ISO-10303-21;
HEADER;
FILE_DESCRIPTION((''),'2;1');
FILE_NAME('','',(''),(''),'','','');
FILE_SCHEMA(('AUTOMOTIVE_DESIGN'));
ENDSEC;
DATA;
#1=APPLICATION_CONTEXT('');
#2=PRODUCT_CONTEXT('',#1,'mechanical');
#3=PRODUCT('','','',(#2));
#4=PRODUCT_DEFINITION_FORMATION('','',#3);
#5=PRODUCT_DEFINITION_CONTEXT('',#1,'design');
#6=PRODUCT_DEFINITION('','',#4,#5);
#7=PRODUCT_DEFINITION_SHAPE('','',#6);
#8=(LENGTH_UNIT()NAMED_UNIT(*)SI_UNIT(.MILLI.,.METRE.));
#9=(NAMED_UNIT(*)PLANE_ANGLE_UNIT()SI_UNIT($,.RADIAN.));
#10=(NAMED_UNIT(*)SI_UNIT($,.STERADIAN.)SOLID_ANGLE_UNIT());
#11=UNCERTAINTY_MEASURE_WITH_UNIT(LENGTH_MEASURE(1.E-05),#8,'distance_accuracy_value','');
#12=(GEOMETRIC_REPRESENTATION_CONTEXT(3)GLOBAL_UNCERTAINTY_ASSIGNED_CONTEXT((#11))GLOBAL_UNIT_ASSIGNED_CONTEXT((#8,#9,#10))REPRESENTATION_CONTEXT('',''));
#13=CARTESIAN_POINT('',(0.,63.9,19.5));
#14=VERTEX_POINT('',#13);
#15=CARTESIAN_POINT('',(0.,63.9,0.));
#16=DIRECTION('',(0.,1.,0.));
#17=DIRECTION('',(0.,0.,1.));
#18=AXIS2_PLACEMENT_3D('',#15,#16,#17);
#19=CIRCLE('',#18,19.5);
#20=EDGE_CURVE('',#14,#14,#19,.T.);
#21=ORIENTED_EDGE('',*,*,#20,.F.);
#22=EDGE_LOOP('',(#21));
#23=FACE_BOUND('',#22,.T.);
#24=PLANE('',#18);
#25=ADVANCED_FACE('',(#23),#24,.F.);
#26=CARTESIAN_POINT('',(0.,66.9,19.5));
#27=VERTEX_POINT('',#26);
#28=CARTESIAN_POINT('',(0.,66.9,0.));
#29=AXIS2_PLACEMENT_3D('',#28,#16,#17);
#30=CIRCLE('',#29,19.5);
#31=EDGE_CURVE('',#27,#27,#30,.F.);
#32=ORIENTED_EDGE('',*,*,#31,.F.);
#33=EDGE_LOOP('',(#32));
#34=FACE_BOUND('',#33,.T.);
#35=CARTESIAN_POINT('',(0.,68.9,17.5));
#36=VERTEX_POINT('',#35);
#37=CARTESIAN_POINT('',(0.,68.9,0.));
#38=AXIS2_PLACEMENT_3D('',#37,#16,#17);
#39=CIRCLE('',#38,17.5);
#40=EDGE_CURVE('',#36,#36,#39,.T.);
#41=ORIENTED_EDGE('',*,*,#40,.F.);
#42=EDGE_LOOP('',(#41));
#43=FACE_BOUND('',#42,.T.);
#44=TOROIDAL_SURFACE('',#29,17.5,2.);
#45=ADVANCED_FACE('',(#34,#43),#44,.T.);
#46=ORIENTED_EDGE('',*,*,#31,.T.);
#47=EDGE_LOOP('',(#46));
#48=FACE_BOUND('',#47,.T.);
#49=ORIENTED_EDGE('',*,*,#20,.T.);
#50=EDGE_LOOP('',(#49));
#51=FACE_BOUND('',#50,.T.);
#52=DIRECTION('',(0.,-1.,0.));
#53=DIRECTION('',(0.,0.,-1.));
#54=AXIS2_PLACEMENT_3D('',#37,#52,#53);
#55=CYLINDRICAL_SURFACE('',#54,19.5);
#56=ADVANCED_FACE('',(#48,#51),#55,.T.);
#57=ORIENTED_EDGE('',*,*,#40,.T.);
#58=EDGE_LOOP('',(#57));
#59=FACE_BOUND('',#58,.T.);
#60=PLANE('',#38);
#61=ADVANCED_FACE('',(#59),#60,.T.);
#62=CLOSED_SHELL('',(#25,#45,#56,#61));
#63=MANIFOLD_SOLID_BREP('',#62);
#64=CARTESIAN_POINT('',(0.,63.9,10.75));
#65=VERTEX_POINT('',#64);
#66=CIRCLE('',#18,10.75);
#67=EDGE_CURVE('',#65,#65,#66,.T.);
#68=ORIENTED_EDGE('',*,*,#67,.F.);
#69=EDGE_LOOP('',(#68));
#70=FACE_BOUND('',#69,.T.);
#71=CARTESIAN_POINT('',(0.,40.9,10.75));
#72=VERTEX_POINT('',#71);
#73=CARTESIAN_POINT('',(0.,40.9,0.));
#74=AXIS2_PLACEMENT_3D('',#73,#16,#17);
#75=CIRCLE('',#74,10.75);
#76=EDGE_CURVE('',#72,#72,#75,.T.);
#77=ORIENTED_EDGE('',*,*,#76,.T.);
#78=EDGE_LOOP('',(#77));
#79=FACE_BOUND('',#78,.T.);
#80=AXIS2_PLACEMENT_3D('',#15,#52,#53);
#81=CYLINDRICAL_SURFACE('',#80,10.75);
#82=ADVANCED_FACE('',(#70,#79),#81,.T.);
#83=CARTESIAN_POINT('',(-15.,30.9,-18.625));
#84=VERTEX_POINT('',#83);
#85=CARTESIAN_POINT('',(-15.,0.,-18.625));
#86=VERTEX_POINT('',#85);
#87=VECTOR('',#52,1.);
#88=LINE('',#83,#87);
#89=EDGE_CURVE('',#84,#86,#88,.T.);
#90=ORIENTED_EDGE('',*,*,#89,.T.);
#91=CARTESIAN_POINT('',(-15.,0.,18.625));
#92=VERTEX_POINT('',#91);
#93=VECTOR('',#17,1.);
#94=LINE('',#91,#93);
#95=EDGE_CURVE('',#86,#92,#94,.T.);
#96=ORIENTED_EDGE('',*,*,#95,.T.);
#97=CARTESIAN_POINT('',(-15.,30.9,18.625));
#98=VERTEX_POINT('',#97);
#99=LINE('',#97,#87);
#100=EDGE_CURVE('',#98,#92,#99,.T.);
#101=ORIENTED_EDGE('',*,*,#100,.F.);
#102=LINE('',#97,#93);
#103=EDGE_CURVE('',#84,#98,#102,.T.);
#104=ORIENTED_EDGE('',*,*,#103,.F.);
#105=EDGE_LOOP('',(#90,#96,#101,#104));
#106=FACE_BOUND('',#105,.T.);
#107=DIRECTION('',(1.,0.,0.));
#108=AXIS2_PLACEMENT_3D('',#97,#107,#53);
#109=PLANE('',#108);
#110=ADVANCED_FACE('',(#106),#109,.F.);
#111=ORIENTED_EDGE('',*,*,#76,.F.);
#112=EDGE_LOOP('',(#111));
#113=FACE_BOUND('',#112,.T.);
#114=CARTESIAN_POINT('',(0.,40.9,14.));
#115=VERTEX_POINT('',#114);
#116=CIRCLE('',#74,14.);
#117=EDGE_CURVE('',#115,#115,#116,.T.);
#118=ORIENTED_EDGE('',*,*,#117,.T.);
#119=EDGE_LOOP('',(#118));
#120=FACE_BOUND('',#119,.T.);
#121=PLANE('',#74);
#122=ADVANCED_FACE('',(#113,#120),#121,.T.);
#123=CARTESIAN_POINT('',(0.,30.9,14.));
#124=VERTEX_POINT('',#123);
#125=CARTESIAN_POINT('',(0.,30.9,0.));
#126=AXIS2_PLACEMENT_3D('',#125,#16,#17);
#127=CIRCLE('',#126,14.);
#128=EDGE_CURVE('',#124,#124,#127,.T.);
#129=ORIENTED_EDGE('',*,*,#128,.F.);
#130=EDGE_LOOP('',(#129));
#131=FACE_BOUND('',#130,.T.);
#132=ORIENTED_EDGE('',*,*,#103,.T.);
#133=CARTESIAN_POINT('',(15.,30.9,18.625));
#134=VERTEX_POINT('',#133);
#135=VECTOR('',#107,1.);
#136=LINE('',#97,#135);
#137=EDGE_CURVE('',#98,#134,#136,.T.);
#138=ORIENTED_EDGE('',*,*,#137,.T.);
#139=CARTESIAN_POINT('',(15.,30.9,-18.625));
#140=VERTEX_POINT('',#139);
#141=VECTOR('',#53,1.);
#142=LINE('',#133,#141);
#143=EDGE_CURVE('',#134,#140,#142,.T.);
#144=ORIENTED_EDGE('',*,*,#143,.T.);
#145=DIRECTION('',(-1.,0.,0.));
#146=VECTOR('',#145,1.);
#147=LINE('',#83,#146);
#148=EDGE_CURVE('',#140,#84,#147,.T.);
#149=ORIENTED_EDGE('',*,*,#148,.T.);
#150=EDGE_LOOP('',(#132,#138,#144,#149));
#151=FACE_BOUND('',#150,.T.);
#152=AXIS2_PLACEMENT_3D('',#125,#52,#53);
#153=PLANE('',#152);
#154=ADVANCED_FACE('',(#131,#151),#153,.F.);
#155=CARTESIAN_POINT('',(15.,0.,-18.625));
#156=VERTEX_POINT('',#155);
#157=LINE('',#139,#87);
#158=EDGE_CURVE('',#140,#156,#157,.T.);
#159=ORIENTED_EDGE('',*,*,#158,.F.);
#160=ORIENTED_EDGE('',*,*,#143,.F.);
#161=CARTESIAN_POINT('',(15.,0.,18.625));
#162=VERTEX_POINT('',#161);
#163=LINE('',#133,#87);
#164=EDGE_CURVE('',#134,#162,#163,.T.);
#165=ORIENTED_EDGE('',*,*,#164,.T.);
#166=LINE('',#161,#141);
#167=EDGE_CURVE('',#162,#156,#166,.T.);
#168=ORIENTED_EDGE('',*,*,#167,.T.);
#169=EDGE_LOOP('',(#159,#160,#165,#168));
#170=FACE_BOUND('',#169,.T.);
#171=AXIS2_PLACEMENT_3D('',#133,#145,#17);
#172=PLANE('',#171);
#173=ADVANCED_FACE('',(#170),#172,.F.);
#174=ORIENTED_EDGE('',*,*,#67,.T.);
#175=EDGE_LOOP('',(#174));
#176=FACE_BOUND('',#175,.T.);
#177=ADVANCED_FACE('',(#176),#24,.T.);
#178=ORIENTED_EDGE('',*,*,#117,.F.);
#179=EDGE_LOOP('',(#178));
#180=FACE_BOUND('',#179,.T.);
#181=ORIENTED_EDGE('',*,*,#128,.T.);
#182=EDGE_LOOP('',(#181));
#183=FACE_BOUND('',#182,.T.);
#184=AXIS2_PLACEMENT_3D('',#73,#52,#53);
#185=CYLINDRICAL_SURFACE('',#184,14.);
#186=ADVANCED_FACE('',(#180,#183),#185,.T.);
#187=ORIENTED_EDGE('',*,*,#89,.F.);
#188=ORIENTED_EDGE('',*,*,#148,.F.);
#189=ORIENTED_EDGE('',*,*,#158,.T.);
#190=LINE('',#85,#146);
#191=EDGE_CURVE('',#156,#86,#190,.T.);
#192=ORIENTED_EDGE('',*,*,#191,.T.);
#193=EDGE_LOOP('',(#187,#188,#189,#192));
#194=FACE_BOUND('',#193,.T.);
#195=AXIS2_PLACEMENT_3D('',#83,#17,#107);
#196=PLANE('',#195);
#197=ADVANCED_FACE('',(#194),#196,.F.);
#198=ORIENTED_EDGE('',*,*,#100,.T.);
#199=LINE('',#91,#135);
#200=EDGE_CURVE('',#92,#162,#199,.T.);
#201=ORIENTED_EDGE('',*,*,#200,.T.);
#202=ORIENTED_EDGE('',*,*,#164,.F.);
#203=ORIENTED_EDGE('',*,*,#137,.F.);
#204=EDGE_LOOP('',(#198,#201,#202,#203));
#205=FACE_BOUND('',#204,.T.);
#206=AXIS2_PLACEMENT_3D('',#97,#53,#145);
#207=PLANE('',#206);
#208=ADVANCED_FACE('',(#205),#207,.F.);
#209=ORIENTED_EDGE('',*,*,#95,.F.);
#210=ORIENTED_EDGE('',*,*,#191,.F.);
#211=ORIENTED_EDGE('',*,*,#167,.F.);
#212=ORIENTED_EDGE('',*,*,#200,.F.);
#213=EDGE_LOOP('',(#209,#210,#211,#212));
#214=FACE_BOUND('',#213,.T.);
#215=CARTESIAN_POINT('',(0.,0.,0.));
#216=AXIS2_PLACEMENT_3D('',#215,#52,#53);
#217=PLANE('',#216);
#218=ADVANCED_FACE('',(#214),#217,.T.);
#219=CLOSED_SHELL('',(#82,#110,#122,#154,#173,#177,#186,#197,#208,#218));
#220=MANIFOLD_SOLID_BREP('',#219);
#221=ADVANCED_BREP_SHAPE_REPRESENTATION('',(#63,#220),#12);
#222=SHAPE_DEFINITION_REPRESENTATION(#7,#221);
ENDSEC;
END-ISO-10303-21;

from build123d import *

# Parameters (mm, degrees)
SKETCH1_W           = 30
SKETCH1_H           = 37.25
BOSS_EXTRUDE1_DEPTH = 30.9
SKETCH2_R           = 14
BOSS_EXTRUDE2_DEPTH = 10
SKETCH3_R           = 10.75
BOSS_EXTRUDE3_DEPTH = 23
SKETCH4_R           = 19.5
BOSS_EXTRUDE4_DEPTH = 5
FILLET1_R           = 2


with BuildPart() as part:
    # Sketch1 → Boss-Extrude1 (new body)
    with BuildSketch(Plane(origin=(0, 0, 0), x_dir=(1, 0, 0), z_dir=(0, 1, 0))):
        Rectangle(SKETCH1_W, SKETCH1_H)
    extrude(amount=BOSS_EXTRUDE1_DEPTH)

    # Sketch2 → Boss-Extrude2 (add)
    with BuildSketch(Plane(origin=(0, 30.9, 0), x_dir=(1, 0, 0), z_dir=(0, 1, 0))):
        Circle(SKETCH2_R)
    extrude(amount=BOSS_EXTRUDE2_DEPTH)

    # Sketch3 → Boss-Extrude3 (add)
    with BuildSketch(Plane(origin=(0, 40.9, 0), x_dir=(1, 0, 0), z_dir=(0, 1, 0))):
        Circle(SKETCH3_R)
    extrude(amount=BOSS_EXTRUDE3_DEPTH)


with BuildPart() as body_2:
    # Sketch4 → Boss-Extrude4 (new body)
    with BuildSketch(Plane(origin=(0, 63.9, 0), x_dir=(1, 0, 0), z_dir=(0, 1, 0))):
        Circle(SKETCH4_R)
    extrude(amount=BOSS_EXTRUDE4_DEPTH)

    # Fillet1
    fillet1_edges = [body_2.edges().sort_by_distance(p)[0] for p in [
        (-19.5, 68.9, 0),
    ]]
    fillet(fillet1_edges, radius=FILLET1_R)


solid = Compound([part.part, body_2.part])
